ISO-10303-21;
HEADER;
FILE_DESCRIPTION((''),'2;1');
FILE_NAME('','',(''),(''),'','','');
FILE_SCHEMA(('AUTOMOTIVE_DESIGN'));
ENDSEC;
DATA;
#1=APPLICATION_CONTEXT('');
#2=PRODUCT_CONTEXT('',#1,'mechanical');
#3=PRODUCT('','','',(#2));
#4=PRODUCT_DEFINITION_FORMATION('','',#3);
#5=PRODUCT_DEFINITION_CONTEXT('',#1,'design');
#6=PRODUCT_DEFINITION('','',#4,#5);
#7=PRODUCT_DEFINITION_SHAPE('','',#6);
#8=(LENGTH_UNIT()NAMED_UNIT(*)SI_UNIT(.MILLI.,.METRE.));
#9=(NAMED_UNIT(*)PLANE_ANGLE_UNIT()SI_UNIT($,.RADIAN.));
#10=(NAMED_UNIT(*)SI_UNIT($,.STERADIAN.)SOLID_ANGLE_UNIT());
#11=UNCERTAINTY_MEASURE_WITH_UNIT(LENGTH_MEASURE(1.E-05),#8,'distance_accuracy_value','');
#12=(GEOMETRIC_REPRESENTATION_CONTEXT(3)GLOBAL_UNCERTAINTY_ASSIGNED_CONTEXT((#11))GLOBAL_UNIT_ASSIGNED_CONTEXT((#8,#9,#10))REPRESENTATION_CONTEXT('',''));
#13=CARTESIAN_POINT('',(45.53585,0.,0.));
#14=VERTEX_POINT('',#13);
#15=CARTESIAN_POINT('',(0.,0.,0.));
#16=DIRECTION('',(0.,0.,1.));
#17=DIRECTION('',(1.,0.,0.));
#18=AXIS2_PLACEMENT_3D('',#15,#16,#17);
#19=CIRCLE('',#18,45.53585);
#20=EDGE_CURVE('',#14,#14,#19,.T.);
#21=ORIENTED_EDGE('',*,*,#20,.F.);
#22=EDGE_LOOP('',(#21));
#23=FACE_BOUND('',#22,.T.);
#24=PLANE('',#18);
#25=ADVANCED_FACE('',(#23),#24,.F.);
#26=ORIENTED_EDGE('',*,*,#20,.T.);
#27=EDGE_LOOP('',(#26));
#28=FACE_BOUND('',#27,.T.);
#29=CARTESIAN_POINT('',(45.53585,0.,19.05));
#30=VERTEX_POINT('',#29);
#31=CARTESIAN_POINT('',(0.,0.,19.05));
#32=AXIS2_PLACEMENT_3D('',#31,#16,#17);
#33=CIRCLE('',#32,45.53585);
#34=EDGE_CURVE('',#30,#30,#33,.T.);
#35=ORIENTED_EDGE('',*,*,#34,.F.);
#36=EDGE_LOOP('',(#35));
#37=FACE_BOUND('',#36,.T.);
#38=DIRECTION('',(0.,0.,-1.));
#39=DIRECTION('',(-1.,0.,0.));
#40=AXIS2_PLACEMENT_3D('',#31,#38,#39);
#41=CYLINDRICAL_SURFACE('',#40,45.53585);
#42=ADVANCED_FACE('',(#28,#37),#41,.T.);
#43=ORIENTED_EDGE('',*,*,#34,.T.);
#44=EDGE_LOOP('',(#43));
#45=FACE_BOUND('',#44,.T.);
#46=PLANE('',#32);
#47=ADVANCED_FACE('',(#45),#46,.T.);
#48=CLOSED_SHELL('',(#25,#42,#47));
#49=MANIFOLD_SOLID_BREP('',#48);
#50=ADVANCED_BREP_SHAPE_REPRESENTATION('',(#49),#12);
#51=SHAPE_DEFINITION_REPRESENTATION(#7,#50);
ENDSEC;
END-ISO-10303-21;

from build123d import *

# Parameters (mm, degrees)
SKETCH1_R           = 45.53585
BOSS_EXTRUDE1_DEPTH = 19.05


with BuildPart() as part:
    # Sketch1 → Boss-Extrude1 (new body)
    with BuildSketch(Plane.XY):
        Circle(SKETCH1_R)
    extrude(amount=BOSS_EXTRUDE1_DEPTH)


solid = part.part
